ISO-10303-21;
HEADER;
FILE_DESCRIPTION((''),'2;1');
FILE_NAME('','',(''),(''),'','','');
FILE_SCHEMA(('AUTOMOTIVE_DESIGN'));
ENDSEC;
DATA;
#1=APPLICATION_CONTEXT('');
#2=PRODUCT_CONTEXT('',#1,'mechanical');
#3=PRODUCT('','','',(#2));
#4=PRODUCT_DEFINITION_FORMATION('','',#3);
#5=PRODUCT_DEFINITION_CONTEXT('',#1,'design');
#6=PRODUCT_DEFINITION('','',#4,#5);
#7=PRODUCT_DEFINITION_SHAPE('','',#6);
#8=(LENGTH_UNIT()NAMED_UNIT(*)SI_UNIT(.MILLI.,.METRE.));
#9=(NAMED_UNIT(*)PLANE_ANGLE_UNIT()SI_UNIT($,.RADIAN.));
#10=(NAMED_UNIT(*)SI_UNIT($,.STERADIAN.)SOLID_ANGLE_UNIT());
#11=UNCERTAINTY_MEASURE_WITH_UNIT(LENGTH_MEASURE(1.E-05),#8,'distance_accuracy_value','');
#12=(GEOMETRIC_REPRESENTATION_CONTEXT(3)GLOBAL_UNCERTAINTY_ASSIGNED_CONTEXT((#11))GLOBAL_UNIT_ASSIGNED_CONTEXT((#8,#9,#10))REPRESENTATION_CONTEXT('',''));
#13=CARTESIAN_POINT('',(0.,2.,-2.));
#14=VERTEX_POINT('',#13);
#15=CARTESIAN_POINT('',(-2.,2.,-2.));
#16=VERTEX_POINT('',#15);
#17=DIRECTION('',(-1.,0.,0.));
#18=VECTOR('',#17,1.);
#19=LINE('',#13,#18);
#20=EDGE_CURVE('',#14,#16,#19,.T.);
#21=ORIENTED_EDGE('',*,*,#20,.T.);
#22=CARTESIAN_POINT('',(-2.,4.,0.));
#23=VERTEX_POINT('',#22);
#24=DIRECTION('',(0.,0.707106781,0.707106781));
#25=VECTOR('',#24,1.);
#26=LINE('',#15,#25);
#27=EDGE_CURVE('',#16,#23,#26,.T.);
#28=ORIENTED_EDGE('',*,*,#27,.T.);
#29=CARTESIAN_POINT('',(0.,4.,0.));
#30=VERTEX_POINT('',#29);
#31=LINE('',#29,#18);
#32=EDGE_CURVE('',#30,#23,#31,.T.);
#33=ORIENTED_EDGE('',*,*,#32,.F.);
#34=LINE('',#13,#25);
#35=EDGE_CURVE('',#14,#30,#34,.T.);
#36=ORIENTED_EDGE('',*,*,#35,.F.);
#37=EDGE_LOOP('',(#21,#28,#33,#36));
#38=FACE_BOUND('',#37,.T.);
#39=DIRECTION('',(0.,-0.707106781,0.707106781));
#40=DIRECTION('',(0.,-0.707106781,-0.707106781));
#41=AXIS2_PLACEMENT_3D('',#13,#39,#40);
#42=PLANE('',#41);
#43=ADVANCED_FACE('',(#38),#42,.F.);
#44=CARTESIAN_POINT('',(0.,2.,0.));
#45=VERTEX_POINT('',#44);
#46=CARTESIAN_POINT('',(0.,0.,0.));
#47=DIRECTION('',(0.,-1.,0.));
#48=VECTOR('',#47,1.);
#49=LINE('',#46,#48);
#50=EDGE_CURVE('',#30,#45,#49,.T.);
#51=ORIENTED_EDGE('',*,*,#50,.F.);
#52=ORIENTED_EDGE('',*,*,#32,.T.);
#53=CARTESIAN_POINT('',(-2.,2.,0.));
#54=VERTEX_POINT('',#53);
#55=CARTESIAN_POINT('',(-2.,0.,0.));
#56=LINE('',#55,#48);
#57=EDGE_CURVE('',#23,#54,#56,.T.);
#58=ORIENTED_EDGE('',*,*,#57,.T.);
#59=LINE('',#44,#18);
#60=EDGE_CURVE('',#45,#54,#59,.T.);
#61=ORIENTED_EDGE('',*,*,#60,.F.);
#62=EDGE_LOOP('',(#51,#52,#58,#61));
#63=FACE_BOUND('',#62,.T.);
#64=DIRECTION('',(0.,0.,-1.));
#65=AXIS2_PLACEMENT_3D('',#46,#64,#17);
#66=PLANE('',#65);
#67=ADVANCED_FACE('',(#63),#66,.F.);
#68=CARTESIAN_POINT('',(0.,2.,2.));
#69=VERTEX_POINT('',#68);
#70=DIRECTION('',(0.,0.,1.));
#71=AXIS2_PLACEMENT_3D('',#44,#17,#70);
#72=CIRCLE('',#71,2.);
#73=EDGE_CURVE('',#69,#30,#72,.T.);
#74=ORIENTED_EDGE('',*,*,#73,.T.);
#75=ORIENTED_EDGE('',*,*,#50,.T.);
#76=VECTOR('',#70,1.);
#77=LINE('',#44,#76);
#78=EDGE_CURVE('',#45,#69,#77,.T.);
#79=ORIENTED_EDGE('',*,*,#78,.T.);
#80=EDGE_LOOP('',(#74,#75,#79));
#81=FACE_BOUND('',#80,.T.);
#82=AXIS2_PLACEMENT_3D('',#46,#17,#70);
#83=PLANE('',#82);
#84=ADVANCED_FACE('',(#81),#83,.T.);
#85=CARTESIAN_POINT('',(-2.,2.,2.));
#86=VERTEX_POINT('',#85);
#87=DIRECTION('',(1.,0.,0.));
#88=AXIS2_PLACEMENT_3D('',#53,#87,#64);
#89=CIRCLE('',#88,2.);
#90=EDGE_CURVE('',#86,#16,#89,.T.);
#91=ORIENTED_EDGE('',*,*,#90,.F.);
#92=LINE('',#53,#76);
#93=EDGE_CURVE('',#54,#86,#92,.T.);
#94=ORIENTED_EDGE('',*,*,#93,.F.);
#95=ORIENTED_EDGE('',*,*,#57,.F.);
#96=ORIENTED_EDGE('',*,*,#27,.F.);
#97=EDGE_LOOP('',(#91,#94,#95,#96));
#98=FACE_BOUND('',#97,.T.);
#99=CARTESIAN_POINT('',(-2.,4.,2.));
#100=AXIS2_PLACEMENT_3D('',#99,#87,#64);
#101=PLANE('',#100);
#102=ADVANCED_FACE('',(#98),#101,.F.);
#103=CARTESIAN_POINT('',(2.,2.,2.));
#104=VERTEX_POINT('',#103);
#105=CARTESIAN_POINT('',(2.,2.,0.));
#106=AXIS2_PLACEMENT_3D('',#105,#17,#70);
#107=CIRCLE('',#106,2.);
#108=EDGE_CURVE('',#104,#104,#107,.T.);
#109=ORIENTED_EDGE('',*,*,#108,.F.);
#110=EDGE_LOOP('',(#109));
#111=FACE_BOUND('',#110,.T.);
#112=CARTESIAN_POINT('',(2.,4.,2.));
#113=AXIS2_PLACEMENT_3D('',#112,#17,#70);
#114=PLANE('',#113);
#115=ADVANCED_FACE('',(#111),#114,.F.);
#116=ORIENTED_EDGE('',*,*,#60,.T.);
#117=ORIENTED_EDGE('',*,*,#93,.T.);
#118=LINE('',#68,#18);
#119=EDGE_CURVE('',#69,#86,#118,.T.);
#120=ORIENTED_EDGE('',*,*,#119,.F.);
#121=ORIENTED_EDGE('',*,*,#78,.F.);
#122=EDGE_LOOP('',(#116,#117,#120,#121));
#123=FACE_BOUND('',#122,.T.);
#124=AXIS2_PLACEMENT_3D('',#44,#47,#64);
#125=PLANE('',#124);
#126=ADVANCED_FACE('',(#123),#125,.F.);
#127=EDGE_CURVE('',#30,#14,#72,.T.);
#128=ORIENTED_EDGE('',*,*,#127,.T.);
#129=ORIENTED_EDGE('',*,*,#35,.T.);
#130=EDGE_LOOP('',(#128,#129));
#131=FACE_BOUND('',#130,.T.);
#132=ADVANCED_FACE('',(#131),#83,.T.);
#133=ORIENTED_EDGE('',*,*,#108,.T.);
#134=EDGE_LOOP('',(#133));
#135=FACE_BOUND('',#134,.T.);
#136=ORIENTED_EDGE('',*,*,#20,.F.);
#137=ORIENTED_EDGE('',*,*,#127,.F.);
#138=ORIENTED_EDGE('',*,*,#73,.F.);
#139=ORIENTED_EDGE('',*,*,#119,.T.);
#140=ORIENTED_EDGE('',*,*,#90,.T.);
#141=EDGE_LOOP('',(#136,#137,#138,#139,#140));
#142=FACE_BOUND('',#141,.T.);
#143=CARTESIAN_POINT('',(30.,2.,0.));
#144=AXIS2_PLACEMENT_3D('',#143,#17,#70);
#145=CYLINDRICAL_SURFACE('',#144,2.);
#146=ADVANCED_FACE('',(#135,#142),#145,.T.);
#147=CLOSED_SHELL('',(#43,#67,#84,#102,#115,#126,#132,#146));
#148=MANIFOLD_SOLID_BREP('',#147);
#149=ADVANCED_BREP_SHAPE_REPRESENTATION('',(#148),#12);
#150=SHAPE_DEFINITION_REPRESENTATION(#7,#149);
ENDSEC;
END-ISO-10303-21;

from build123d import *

# Parameters (mm, degrees)
SKETCH1_W           = 4
SKETCH1_H           = 4
BOSS_EXTRUDE1_DEPTH = 4
SKETCH2_W           = 2
SKETCH2_H           = 2
CUT_EXTRUDE1_DEPTH  = 2
SKETCH3_R           = 2.828427125
SKETCH3_R_2         = 2
CUT_EXTRUDE2_DEPTH  = 30


with BuildPart() as part:
    # Sketch1 → Boss-Extrude1 (new body)
    with BuildSketch(Plane(origin=(0, 0, 0), x_dir=(1, 0, 0), z_dir=(0, 1, 0))):
        Rectangle(SKETCH1_W, SKETCH1_H)
    extrude(amount=BOSS_EXTRUDE1_DEPTH)

    # Sketch2 → Cut-Extrude1 (cut)
    with BuildSketch(Plane.ZY.offset(2)):
        Polygon((-2, 4), (-2, 2), (0, 4), align=None)
        with Locations((1, 3)):
            Rectangle(SKETCH2_W, SKETCH2_H)
    extrude(amount=-CUT_EXTRUDE1_DEPTH, mode=Mode.SUBTRACT)

    # Sketch3 → Cut-Extrude2 (cut, symmetric)
    with BuildSketch(Plane.ZY):
        with Locations((0, 2)):
            Circle(SKETCH3_R)
        with Locations((0, 2)):
            Circle(SKETCH3_R_2, mode=Mode.SUBTRACT)
    extrude(amount=CUT_EXTRUDE2_DEPTH, both=True, mode=Mode.SUBTRACT)


solid = part.part
